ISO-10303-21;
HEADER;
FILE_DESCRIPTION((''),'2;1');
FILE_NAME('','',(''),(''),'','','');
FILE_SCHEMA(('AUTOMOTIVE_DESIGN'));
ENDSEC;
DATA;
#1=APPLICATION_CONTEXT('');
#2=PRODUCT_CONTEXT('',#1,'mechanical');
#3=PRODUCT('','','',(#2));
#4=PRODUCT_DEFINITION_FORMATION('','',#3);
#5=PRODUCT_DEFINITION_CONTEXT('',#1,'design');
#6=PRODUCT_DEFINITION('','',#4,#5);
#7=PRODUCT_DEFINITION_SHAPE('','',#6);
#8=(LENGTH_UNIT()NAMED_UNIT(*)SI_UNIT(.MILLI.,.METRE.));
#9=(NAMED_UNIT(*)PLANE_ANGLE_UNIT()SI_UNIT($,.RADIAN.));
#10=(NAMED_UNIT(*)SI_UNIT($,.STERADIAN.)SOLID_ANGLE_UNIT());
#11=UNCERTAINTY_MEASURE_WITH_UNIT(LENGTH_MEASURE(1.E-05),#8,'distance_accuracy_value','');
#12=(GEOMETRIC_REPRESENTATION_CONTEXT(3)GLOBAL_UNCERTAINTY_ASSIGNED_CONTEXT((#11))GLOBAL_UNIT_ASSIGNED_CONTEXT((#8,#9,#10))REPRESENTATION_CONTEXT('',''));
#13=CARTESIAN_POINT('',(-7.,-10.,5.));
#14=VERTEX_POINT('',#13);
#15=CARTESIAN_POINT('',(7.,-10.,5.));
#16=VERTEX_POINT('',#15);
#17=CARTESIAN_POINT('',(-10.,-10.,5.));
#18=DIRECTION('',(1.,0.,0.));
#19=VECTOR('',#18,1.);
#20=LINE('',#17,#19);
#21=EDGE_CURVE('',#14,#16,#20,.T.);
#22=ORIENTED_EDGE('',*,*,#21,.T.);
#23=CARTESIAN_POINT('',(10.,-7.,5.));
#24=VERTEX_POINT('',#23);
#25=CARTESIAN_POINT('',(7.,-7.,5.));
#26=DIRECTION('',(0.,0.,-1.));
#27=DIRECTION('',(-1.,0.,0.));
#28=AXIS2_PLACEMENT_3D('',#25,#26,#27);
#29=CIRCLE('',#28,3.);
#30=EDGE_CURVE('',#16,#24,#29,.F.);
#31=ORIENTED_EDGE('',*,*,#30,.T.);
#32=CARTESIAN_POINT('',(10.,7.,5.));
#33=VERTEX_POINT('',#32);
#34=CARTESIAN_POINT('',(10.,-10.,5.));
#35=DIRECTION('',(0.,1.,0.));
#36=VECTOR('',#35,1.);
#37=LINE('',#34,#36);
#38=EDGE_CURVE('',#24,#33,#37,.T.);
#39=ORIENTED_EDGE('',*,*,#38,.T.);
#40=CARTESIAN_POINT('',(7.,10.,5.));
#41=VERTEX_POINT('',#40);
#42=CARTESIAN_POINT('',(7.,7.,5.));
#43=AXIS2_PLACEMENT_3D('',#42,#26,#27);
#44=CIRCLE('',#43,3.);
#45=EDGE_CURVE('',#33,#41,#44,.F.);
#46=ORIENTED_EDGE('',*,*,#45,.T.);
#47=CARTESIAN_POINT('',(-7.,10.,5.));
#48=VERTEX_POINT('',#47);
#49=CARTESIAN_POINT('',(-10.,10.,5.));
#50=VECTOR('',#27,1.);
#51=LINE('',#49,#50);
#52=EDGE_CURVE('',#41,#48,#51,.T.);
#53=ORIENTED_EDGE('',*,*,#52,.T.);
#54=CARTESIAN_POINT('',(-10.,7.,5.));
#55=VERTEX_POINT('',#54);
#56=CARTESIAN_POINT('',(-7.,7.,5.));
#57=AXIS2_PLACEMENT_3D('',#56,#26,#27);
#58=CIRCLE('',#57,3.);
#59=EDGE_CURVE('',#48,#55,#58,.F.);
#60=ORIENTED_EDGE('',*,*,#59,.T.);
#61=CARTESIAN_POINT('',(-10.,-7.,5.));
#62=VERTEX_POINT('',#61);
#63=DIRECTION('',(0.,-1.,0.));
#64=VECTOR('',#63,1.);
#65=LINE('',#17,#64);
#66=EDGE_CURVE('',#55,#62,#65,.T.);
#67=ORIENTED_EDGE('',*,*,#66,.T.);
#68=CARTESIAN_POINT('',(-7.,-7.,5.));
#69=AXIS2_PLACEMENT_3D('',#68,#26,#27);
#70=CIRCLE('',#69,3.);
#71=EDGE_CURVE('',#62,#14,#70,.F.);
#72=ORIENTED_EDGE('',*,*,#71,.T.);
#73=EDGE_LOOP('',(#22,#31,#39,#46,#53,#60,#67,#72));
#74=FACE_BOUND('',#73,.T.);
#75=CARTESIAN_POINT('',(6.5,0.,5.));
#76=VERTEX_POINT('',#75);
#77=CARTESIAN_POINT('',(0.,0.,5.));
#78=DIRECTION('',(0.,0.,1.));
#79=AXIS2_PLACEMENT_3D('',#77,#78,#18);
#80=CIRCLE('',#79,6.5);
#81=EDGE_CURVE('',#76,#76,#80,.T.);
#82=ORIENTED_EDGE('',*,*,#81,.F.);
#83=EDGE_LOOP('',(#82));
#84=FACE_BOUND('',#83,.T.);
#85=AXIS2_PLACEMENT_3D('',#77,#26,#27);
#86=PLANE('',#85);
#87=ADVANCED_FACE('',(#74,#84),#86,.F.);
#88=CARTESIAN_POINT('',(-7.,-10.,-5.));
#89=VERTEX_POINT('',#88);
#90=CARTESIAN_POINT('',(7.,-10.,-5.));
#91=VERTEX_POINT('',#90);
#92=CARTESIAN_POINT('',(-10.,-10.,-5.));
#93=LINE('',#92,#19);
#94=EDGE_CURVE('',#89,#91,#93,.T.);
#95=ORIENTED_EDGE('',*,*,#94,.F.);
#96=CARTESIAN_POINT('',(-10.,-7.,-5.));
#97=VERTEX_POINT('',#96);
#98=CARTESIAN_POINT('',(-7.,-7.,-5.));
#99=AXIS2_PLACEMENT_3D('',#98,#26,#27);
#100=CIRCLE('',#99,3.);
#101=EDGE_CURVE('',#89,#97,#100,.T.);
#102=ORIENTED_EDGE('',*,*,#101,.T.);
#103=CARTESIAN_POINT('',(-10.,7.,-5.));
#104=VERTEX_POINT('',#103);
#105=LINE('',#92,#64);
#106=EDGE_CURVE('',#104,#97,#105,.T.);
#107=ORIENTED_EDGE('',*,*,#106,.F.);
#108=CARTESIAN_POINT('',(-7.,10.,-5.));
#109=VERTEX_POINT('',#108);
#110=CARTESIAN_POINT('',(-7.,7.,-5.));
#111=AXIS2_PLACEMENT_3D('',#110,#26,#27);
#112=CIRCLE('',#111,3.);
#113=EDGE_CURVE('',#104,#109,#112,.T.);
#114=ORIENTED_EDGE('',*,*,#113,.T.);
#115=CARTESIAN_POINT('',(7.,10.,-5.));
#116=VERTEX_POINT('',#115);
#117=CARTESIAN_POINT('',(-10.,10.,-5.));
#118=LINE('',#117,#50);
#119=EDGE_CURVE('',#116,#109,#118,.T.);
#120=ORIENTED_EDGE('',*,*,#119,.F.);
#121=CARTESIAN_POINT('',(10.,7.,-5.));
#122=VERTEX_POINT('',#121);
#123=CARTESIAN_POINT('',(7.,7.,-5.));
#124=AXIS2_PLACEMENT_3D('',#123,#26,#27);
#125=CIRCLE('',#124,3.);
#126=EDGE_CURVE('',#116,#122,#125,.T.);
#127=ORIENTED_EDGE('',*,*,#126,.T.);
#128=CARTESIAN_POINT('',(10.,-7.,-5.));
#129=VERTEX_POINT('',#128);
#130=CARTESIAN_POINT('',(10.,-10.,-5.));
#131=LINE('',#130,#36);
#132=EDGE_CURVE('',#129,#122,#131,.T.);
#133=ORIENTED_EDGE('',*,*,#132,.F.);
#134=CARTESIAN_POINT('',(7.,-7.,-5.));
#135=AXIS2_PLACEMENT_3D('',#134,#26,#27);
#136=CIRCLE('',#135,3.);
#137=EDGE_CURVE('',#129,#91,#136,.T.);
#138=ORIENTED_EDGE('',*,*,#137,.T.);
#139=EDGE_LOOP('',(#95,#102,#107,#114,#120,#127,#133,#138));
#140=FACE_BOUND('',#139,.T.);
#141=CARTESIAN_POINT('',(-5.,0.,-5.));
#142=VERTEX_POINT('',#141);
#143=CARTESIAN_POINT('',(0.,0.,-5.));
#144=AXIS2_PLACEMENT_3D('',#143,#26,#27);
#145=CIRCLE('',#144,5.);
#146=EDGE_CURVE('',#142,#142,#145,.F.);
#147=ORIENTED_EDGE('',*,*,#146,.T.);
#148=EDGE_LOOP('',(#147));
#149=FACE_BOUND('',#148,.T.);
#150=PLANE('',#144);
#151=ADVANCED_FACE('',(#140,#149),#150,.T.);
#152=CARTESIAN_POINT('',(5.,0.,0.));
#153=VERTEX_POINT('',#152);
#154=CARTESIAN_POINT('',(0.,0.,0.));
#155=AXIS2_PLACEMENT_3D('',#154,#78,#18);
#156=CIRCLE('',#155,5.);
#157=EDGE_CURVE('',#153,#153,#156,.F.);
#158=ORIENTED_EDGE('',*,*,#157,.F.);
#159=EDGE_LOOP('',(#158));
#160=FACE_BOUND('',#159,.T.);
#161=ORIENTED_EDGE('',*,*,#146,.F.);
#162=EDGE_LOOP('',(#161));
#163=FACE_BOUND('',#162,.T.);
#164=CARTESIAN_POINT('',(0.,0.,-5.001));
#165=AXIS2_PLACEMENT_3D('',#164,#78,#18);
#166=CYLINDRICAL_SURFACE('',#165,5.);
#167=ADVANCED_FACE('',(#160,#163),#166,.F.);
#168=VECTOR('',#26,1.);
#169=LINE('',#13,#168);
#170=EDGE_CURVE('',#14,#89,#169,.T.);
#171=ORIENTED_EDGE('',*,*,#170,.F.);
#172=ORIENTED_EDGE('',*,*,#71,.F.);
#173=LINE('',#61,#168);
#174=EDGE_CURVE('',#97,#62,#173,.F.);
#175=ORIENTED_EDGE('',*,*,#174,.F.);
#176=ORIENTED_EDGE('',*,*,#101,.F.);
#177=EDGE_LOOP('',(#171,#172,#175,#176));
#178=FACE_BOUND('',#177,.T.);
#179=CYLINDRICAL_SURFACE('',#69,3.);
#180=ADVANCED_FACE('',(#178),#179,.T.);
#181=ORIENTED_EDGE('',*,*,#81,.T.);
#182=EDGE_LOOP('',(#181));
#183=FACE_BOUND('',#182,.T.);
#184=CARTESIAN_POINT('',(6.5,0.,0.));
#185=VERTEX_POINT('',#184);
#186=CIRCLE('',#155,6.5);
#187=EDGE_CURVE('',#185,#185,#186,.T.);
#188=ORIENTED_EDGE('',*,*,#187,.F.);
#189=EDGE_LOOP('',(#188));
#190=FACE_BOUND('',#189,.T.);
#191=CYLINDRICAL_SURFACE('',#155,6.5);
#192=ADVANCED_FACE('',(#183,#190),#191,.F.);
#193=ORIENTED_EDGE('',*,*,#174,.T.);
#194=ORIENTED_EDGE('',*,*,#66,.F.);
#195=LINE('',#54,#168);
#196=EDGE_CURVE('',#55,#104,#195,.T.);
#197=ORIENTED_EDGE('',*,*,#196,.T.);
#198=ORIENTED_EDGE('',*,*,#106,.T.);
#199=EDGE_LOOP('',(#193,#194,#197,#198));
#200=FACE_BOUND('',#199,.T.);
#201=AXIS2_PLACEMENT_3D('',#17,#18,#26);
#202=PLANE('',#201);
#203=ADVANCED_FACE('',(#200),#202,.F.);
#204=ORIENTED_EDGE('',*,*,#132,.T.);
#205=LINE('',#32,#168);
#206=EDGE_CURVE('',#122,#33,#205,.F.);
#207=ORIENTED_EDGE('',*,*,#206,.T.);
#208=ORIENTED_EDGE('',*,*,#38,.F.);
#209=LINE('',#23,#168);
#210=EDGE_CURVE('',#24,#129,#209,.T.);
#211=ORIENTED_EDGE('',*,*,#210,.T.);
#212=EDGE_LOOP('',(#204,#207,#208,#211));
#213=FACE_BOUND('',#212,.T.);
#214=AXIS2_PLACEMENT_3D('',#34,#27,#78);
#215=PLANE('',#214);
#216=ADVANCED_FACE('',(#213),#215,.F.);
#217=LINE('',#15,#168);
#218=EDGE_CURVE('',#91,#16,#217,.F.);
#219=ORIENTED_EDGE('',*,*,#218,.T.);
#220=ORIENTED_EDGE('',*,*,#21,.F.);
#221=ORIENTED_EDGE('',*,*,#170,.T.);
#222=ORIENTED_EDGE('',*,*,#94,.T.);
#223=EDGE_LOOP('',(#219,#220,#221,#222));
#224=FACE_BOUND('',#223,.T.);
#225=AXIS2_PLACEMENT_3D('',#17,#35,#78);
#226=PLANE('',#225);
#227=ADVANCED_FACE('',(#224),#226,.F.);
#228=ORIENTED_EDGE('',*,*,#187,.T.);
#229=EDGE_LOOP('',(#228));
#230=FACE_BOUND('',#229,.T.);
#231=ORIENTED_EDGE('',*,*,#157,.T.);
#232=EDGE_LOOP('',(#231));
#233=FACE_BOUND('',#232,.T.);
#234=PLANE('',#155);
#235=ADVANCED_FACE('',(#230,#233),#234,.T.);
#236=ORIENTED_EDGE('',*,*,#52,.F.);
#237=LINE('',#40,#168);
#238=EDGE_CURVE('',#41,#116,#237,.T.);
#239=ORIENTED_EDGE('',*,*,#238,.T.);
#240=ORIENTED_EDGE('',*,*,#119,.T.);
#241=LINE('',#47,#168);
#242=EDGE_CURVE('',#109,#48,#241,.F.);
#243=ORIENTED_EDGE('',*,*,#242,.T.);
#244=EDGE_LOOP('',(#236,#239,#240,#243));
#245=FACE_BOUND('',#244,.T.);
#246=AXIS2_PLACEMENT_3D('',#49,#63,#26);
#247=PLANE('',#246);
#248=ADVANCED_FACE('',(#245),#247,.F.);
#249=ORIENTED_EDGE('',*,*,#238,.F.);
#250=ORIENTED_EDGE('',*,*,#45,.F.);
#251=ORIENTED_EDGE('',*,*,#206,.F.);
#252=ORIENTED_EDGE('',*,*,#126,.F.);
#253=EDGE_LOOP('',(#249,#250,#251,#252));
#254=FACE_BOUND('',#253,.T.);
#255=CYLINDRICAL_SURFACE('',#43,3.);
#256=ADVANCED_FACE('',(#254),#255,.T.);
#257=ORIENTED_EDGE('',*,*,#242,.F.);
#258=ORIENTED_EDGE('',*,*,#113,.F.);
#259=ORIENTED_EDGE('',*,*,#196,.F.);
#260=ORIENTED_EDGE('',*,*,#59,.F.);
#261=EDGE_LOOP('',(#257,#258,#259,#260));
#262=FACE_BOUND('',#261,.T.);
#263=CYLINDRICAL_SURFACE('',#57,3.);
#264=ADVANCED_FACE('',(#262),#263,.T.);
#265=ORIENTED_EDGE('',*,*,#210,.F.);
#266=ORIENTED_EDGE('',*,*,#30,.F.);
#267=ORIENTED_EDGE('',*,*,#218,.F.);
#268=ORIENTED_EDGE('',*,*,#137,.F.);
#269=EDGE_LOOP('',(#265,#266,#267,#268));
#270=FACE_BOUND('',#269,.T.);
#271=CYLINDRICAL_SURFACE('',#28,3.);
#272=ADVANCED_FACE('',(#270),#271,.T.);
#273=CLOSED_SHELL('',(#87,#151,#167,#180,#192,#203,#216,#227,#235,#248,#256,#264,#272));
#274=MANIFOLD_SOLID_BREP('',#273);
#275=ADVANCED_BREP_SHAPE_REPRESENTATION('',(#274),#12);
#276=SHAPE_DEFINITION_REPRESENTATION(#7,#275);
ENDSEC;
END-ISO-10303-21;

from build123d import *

# Parameters (mm, degrees)
SKETCH1_W           = 20
SKETCH1_H           = 20
BOSS_EXTRUDE1_DEPTH = 5
FILLET1_R           = 3
CUT_EXTRUDE1_REACH  = 19.321
SKETCH2_R           = 5
SKETCH3_R           = 6.5
CUT_EXTRUDE2_DEPTH  = 5


with BuildPart() as part:
    # Sketch1 → Boss-Extrude1 (new, symmetric)
    with BuildSketch(Plane.XY):
        Rectangle(SKETCH1_W, SKETCH1_H)
    extrude(amount=BOSS_EXTRUDE1_DEPTH, both=True)

    # Fillet1
    fillet1_edges = [part.edges().sort_by_distance(p)[0] for p in [
        (10, -10, 0),
        (-10, -10, 0),
        (-10, 10, 0),
        (10, 10, 0),
    ]]
    fillet(fillet1_edges, radius=FILLET1_R)

    # Sketch2 → Cut-Extrude1 (cut, up to next)
    with BuildSketch(Plane.XY.offset(5), mode=Mode.PRIVATE) as cut_extrude1_sk1:
        Circle(SKETCH2_R)
    cut_extrude1_tool1 = extrude(cut_extrude1_sk1.sketch, amount=-CUT_EXTRUDE1_REACH, mode=Mode.PRIVATE) & part.part
    add(cut_extrude1_tool1.solids().sort_by_distance((0, 0, 5))[0], mode=Mode.SUBTRACT)

    # Sketch3 → Cut-Extrude2 (cut)
    with BuildSketch(Plane.XY.offset(5)):
        Circle(SKETCH3_R)
    extrude(amount=-CUT_EXTRUDE2_DEPTH, mode=Mode.SUBTRACT)


solid = part.part
